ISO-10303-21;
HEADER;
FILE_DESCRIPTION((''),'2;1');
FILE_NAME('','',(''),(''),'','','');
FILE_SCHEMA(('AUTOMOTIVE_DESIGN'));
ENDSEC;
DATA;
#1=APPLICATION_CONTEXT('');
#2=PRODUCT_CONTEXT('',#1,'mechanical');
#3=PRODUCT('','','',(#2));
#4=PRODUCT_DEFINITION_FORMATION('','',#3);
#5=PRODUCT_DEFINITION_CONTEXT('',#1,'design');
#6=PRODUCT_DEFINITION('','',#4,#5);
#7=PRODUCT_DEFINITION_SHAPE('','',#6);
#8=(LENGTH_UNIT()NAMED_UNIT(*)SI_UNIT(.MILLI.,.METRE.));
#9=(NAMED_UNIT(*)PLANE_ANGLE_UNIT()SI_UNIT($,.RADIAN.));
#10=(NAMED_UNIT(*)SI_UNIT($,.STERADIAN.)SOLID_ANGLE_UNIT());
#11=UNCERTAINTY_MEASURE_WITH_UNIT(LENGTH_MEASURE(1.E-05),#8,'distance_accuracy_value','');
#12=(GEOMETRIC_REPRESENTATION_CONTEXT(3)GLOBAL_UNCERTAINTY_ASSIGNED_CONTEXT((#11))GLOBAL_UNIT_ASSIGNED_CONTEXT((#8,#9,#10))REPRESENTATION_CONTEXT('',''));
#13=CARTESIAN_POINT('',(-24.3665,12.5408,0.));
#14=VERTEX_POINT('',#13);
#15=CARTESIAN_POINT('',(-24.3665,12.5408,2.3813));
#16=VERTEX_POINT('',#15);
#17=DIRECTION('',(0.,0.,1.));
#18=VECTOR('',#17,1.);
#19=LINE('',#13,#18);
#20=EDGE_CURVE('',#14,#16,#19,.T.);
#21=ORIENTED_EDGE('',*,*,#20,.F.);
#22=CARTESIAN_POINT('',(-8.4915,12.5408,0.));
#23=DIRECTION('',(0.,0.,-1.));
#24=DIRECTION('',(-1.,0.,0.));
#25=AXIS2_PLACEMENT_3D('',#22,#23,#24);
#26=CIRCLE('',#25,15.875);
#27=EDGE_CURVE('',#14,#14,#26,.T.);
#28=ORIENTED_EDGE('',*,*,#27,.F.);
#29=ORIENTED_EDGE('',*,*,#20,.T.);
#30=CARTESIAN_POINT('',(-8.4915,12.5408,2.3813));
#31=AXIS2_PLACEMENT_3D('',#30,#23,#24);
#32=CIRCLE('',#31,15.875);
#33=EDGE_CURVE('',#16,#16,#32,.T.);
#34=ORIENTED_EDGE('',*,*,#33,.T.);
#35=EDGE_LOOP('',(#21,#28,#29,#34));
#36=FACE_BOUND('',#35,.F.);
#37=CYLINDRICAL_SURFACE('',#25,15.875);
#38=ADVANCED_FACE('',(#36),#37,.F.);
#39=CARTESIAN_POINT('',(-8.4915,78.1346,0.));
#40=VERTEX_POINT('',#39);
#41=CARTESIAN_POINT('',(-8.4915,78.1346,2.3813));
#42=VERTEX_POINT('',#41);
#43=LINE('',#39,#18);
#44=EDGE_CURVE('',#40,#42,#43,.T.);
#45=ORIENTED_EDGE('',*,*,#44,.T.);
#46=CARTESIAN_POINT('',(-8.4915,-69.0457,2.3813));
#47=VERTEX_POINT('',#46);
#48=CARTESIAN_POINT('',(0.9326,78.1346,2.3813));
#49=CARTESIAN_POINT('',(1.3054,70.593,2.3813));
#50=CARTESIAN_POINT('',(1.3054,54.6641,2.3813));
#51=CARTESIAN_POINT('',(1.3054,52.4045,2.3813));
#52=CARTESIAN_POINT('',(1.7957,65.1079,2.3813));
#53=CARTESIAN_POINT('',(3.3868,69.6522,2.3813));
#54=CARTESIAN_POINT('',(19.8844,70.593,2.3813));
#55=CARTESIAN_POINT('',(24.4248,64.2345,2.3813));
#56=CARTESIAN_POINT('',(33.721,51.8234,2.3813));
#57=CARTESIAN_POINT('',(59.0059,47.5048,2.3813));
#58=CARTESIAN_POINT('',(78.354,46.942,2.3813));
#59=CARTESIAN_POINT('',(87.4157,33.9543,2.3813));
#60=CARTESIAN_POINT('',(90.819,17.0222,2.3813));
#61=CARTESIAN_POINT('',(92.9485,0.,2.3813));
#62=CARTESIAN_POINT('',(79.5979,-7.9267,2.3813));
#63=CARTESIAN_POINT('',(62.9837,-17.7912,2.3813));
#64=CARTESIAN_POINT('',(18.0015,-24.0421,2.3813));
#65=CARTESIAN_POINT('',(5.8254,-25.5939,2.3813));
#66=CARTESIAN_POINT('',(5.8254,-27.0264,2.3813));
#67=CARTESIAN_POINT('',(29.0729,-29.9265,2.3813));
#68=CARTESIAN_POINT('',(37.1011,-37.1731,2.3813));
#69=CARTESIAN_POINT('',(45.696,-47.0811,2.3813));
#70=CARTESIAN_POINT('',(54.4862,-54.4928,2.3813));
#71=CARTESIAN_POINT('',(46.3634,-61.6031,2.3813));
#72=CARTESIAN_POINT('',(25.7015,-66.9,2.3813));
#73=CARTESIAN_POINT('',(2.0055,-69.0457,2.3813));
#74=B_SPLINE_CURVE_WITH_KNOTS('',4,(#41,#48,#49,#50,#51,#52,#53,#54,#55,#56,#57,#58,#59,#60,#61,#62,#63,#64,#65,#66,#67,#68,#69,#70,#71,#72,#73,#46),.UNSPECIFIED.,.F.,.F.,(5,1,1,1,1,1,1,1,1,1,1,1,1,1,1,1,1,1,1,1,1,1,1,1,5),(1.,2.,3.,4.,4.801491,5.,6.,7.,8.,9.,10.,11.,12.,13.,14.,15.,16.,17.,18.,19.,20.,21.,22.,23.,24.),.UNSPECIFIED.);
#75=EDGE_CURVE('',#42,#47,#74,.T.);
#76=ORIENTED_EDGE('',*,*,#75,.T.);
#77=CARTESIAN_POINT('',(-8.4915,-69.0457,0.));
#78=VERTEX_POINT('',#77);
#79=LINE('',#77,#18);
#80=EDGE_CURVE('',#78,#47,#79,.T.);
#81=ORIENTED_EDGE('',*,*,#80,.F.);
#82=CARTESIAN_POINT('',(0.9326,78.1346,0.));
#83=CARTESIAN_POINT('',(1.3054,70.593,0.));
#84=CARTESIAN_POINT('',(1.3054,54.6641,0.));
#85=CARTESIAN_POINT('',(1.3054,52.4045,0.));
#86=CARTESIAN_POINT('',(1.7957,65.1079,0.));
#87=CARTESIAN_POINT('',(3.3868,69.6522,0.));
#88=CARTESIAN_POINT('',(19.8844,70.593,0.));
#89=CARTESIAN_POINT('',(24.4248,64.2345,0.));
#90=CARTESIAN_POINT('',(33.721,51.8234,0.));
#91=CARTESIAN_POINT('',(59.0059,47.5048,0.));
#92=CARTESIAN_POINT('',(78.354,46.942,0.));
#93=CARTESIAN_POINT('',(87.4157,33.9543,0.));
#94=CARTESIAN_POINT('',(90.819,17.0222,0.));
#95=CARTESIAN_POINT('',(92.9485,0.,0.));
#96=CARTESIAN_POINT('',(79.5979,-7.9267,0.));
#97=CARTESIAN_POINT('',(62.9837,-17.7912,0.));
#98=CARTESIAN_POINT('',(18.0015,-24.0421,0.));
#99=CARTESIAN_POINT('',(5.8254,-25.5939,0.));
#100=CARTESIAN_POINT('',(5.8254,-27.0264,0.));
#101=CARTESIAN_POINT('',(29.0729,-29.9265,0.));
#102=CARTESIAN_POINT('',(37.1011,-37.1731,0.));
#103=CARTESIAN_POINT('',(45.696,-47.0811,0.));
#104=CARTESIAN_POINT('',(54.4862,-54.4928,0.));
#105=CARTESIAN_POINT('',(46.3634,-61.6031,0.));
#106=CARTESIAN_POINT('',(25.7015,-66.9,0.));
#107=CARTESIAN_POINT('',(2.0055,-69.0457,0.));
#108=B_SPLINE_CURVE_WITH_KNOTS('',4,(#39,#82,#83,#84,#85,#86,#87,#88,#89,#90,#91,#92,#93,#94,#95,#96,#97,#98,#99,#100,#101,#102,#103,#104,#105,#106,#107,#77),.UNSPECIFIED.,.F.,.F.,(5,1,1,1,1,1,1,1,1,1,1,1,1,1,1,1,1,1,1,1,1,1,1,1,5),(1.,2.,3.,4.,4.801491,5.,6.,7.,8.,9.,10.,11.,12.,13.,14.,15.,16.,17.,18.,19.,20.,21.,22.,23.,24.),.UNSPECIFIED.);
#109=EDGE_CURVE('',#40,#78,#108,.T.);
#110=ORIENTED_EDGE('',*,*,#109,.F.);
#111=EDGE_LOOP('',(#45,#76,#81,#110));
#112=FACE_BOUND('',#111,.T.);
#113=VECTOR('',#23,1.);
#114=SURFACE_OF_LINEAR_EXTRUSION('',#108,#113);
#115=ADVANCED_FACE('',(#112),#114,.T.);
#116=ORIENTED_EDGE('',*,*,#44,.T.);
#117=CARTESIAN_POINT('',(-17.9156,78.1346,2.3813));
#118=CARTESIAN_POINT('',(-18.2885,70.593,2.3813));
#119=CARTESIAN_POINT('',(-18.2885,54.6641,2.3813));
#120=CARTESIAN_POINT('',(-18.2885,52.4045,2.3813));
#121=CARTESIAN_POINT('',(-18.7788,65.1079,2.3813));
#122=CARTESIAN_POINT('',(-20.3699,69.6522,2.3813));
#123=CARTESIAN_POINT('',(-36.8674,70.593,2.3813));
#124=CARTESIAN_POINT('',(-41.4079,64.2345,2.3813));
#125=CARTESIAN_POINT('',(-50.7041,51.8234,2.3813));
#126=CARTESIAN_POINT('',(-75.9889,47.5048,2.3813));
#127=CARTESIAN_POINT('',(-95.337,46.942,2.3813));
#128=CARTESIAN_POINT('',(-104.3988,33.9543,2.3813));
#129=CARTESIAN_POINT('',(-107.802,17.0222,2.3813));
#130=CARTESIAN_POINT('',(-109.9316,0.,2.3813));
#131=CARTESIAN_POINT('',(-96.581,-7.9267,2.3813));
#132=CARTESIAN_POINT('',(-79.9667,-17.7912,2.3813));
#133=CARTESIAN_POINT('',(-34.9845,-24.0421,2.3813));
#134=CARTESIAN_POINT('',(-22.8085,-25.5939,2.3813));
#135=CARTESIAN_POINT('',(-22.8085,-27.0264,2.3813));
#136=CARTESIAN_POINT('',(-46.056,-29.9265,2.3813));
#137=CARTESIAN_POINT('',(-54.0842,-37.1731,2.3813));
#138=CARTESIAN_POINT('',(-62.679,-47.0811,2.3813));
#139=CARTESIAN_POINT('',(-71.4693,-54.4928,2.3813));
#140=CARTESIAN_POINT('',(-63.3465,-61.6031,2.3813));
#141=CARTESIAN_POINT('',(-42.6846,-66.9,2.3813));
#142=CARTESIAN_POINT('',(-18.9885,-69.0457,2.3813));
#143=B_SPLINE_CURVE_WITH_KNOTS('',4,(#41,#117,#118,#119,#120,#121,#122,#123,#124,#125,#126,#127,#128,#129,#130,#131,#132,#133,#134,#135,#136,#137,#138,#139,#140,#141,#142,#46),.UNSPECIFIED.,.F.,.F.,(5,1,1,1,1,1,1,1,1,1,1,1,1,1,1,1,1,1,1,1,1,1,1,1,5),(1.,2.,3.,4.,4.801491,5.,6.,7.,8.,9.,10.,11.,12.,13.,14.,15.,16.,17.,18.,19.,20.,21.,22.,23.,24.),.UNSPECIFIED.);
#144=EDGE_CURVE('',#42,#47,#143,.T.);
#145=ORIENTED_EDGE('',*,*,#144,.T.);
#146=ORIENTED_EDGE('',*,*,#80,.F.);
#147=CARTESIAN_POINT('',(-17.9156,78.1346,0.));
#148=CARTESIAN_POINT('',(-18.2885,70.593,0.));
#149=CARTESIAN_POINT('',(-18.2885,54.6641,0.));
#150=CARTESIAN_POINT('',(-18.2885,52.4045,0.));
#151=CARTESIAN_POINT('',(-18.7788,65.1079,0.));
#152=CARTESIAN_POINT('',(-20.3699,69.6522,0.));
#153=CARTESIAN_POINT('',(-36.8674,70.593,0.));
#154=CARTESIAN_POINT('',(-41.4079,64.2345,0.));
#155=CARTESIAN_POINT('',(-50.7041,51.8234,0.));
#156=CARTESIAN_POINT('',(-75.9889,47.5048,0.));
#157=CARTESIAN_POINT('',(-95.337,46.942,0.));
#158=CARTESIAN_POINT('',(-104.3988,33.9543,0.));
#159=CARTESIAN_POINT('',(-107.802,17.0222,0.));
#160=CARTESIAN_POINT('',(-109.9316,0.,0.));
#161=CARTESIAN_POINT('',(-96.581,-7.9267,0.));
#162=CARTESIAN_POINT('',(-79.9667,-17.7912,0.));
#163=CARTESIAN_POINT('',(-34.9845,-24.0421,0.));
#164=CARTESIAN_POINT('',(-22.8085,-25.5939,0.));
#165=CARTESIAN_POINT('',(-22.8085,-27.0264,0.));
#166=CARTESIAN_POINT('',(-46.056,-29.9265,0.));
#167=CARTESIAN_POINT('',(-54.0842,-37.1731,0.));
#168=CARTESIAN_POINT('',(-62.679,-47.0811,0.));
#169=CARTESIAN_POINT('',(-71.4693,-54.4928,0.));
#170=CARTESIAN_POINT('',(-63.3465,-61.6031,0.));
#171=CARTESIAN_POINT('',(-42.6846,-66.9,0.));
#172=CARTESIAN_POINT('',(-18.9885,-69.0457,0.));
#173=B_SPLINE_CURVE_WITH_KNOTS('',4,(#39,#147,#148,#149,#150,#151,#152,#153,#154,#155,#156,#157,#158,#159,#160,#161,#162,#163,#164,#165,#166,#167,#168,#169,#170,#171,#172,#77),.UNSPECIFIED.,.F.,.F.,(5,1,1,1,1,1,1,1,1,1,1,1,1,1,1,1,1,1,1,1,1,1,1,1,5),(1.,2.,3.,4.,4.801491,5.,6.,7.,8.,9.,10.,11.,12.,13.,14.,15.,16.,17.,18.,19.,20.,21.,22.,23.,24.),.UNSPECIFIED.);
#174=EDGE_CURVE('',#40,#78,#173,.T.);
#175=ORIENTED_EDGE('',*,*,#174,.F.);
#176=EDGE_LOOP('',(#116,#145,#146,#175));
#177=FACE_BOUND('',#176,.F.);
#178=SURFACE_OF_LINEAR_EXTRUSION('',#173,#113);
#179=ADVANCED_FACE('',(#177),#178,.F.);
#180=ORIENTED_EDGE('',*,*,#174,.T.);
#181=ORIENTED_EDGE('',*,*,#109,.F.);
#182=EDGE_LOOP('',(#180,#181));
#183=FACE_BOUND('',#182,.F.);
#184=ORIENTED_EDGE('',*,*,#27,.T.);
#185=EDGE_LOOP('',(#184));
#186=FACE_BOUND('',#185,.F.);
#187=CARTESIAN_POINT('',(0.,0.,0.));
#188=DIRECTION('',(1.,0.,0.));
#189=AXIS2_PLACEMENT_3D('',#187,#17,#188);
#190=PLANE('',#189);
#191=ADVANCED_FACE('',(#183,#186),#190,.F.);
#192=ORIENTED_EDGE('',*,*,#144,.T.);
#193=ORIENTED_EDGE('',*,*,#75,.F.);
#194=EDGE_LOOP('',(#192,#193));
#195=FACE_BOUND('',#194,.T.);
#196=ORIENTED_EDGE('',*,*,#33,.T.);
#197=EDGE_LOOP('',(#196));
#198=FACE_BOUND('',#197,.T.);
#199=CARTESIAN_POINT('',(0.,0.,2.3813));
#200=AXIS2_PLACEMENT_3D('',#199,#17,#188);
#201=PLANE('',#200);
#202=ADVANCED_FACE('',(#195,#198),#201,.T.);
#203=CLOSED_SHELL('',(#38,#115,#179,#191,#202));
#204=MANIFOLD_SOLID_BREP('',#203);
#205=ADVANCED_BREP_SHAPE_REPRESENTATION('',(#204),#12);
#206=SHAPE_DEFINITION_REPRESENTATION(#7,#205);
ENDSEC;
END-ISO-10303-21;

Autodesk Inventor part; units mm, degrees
ref_plane "YZ Plane" through (0, 0, 0) normal (1, 0, 0) x (0, 1, 0)
ref_plane "XZ Plane" through (0, 0, 0) normal (0, 1, 0) x (-1, 0, 0)
ref_plane "XY Plane" through (0, 0, 0) normal (0, 0, 1) x (1, 0, 0)
sketch "Sketch1" plane through (0, 0, 0) normal (0, 0, 1) x (1, 0, 0)
  line L0 (-8.4915, 78.1346) -> (0.9326, 78.1346) construction
  line L1 (0.9326, 78.1346) -> (1.3054, 70.593) construction
  line L2 (1.3054, 70.593) -> (1.3054, 54.6641) construction
  line L3 (1.3054, 54.6641) -> (1.3054, 52.4045) construction
  line L4 (19.8844, 70.593) -> (24.4248, 64.2345) construction
  line L5 (24.4248, 64.2345) -> (33.721, 51.8234) construction
  line L6 (33.721, 51.8234) -> (59.0059, 47.5048) construction
  line L7 (59.0059, 47.5048) -> (78.354, 46.942) construction
  line L8 (78.354, 46.942) -> (87.4157, 33.9543) construction
  line L9 (87.4157, 33.9543) -> (90.819, 17.0222) construction
  line L10 (90.819, 17.0222) -> (92.9485, 0) construction
  line L11 (92.9485, 0) -> (79.5979, -7.9267) construction
  line L12 (79.5979, -7.9267) -> (62.9837, -17.7912) construction
  line L13 (62.9837, -17.7912) -> (18.0015, -24.0421) construction
  line L14 (18.0015, -24.0421) -> (5.8254, -25.5939) construction
  line L15 (5.8254, -25.5939) -> (5.8254, -27.0264) construction
  line L16 (5.8254, -27.0264) -> (29.0729, -29.9265) construction
  line L17 (29.0729, -29.9265) -> (37.1011, -37.1731) construction
  line L18 (37.1011, -37.1731) -> (45.696, -47.0811) construction
  line L19 (45.696, -47.0811) -> (54.4862, -54.4928) construction
  line L20 (54.4862, -54.4928) -> (46.3634, -61.6031) construction
  line L21 (46.3634, -61.6031) -> (25.7015, -66.9) construction
  line L22 (25.7015, -66.9) -> (2.0055, -69.0457) construction
  line L23 (2.0055, -69.0457) -> (-8.4915, -69.0457) construction
  spline S0 degree 4 poles (-8.4915, 78.1346) (0.9326, 78.1346) (1.3054, 70.593) (1.3054, 54.6641) (1.3054, 52.4045) (1.7957, 65.1079) (3.3868, 69.6522) (19.8844, 70.593) (24.4248, 64.2345) (33.721, 51.8234) (59.0059, 47.5048) (78.354, 46.942) (87.4157, 33.9543) (90.819, 17.0222) (92.9485, 0) (79.5979, -7.9267) (62.9837, -17.7912) (18.0015, -24.0421) (5.8254, -25.5939) (5.8254, -27.0264) (29.0729, -29.9265) (37.1011, -37.1731) (45.696, -47.0811) (54.4862, -54.4928) (46.3634, -61.6031) (25.7015, -66.9) (2.0055, -69.0457) (-8.4915, -69.0457) knots 1 1 1 1 1 2 3 4 4.801491 5 6 7 8 9 10 11 12 13 14 15 16 17 18 19 20 21 22 23 24 24 24 24 24
  line L24 (1.3054, 52.4045) -> (1.7957, 65.1079) construction
  line L25 (1.7957, 65.1079) -> (3.3868, 69.6522) construction
  line L26 (3.3868, 69.6522) -> (19.8844, 70.593) construction
  line L27 (-8.4915, 78.1346) -> (-8.4915, -69.0457)
  line L28 (-8.4915, 78.1346) -> (-17.9156, 78.1346) construction
  line L29 (-17.9156, 78.1346) -> (-18.2885, 70.593) construction
  line L30 (-18.2885, 70.593) -> (-18.2885, 54.6641) construction
  line L31 (-18.2885, 54.6641) -> (-18.2885, 52.4045) construction
  line L32 (-36.8674, 70.593) -> (-41.4079, 64.2345) construction
  line L33 (-41.4079, 64.2345) -> (-50.7041, 51.8234) construction
  line L34 (-50.7041, 51.8234) -> (-75.9889, 47.5048) construction
  line L35 (-75.9889, 47.5048) -> (-95.337, 46.942) construction
  line L36 (-95.337, 46.942) -> (-104.3988, 33.9543) construction
  line L37 (-104.3988, 33.9543) -> (-107.802, 17.0222) construction
  line L38 (-107.802, 17.0222) -> (-109.9316, 0) construction
  line L39 (-109.9316, 0) -> (-96.581, -7.9267) construction
  line L40 (-96.581, -7.9267) -> (-79.9667, -17.7912) construction
  line L41 (-79.9667, -17.7912) -> (-34.9845, -24.0421) construction
  line L42 (-34.9845, -24.0421) -> (-22.8085, -25.5939) construction
  line L43 (-22.8085, -25.5939) -> (-22.8085, -27.0264) construction
  line L44 (-22.8085, -27.0264) -> (-46.056, -29.9265) construction
  line L45 (-46.056, -29.9265) -> (-54.0842, -37.1731) construction
  line L46 (-54.0842, -37.1731) -> (-62.679, -47.0811) construction
  line L47 (-62.679, -47.0811) -> (-71.4693, -54.4928) construction
  line L48 (-71.4693, -54.4928) -> (-63.3465, -61.6031) construction
  line L49 (-63.3465, -61.6031) -> (-42.6846, -66.9) construction
  line L50 (-42.6846, -66.9) -> (-18.9885, -69.0457) construction
  line L51 (-18.9885, -69.0457) -> (-8.4915, -69.0457) construction
  spline S1 degree 4 poles (-8.4915, 78.1346) (-17.9156, 78.1346) (-18.2885, 70.593) (-18.2885, 54.6641) (-18.2885, 52.4045) (-18.7788, 65.1079) (-20.3699, 69.6522) (-36.8674, 70.593) (-41.4079, 64.2345) (-50.7041, 51.8234) (-75.9889, 47.5048) (-95.337, 46.942) (-104.3988, 33.9543) (-107.802, 17.0222) (-109.9316, 0) (-96.581, -7.9267) (-79.9667, -17.7912) (-34.9845, -24.0421) (-22.8085, -25.5939) (-22.8085, -27.0264) (-46.056, -29.9265) (-54.0842, -37.1731) (-62.679, -47.0811) (-71.4693, -54.4928) (-63.3465, -61.6031) (-42.6846, -66.9) (-18.9885, -69.0457) (-8.4915, -69.0457) knots 1 1 1 1 1 2 3 4 4.801491 5 6 7 8 9 10 11 12 13 14 15 16 17 18 19 20 21 22 23 24 24 24 24 24
  line L52 (-18.2885, 52.4045) -> (-18.7788, 65.1079) construction
  line L53 (-18.7788, 65.1079) -> (-20.3699, 69.6522) construction
  line L54 (-20.3699, 69.6522) -> (-36.8674, 70.593) construction
  point P0 (0, 0)
extrude "Extrusion1" add sketch "Sketch1" along normal blind 2.3813
sketch "Sketch2" plane through (0, 0, 0) normal (0, 0, -1) x (-1, 0, 0)
  circle A0 centre (8.4915, 12.5408) radius 15.875
  point P0 (0, 0)
  point P1 (8.4915, -69.0457)
  point P2 (8.4915, 78.1346)
  dimension "d2" = 31.75
extrude "Extrusion2" cut sketch "Sketch2" against normal blind 25.4
properties part number "rubberFlatPatternSheetMetal"
